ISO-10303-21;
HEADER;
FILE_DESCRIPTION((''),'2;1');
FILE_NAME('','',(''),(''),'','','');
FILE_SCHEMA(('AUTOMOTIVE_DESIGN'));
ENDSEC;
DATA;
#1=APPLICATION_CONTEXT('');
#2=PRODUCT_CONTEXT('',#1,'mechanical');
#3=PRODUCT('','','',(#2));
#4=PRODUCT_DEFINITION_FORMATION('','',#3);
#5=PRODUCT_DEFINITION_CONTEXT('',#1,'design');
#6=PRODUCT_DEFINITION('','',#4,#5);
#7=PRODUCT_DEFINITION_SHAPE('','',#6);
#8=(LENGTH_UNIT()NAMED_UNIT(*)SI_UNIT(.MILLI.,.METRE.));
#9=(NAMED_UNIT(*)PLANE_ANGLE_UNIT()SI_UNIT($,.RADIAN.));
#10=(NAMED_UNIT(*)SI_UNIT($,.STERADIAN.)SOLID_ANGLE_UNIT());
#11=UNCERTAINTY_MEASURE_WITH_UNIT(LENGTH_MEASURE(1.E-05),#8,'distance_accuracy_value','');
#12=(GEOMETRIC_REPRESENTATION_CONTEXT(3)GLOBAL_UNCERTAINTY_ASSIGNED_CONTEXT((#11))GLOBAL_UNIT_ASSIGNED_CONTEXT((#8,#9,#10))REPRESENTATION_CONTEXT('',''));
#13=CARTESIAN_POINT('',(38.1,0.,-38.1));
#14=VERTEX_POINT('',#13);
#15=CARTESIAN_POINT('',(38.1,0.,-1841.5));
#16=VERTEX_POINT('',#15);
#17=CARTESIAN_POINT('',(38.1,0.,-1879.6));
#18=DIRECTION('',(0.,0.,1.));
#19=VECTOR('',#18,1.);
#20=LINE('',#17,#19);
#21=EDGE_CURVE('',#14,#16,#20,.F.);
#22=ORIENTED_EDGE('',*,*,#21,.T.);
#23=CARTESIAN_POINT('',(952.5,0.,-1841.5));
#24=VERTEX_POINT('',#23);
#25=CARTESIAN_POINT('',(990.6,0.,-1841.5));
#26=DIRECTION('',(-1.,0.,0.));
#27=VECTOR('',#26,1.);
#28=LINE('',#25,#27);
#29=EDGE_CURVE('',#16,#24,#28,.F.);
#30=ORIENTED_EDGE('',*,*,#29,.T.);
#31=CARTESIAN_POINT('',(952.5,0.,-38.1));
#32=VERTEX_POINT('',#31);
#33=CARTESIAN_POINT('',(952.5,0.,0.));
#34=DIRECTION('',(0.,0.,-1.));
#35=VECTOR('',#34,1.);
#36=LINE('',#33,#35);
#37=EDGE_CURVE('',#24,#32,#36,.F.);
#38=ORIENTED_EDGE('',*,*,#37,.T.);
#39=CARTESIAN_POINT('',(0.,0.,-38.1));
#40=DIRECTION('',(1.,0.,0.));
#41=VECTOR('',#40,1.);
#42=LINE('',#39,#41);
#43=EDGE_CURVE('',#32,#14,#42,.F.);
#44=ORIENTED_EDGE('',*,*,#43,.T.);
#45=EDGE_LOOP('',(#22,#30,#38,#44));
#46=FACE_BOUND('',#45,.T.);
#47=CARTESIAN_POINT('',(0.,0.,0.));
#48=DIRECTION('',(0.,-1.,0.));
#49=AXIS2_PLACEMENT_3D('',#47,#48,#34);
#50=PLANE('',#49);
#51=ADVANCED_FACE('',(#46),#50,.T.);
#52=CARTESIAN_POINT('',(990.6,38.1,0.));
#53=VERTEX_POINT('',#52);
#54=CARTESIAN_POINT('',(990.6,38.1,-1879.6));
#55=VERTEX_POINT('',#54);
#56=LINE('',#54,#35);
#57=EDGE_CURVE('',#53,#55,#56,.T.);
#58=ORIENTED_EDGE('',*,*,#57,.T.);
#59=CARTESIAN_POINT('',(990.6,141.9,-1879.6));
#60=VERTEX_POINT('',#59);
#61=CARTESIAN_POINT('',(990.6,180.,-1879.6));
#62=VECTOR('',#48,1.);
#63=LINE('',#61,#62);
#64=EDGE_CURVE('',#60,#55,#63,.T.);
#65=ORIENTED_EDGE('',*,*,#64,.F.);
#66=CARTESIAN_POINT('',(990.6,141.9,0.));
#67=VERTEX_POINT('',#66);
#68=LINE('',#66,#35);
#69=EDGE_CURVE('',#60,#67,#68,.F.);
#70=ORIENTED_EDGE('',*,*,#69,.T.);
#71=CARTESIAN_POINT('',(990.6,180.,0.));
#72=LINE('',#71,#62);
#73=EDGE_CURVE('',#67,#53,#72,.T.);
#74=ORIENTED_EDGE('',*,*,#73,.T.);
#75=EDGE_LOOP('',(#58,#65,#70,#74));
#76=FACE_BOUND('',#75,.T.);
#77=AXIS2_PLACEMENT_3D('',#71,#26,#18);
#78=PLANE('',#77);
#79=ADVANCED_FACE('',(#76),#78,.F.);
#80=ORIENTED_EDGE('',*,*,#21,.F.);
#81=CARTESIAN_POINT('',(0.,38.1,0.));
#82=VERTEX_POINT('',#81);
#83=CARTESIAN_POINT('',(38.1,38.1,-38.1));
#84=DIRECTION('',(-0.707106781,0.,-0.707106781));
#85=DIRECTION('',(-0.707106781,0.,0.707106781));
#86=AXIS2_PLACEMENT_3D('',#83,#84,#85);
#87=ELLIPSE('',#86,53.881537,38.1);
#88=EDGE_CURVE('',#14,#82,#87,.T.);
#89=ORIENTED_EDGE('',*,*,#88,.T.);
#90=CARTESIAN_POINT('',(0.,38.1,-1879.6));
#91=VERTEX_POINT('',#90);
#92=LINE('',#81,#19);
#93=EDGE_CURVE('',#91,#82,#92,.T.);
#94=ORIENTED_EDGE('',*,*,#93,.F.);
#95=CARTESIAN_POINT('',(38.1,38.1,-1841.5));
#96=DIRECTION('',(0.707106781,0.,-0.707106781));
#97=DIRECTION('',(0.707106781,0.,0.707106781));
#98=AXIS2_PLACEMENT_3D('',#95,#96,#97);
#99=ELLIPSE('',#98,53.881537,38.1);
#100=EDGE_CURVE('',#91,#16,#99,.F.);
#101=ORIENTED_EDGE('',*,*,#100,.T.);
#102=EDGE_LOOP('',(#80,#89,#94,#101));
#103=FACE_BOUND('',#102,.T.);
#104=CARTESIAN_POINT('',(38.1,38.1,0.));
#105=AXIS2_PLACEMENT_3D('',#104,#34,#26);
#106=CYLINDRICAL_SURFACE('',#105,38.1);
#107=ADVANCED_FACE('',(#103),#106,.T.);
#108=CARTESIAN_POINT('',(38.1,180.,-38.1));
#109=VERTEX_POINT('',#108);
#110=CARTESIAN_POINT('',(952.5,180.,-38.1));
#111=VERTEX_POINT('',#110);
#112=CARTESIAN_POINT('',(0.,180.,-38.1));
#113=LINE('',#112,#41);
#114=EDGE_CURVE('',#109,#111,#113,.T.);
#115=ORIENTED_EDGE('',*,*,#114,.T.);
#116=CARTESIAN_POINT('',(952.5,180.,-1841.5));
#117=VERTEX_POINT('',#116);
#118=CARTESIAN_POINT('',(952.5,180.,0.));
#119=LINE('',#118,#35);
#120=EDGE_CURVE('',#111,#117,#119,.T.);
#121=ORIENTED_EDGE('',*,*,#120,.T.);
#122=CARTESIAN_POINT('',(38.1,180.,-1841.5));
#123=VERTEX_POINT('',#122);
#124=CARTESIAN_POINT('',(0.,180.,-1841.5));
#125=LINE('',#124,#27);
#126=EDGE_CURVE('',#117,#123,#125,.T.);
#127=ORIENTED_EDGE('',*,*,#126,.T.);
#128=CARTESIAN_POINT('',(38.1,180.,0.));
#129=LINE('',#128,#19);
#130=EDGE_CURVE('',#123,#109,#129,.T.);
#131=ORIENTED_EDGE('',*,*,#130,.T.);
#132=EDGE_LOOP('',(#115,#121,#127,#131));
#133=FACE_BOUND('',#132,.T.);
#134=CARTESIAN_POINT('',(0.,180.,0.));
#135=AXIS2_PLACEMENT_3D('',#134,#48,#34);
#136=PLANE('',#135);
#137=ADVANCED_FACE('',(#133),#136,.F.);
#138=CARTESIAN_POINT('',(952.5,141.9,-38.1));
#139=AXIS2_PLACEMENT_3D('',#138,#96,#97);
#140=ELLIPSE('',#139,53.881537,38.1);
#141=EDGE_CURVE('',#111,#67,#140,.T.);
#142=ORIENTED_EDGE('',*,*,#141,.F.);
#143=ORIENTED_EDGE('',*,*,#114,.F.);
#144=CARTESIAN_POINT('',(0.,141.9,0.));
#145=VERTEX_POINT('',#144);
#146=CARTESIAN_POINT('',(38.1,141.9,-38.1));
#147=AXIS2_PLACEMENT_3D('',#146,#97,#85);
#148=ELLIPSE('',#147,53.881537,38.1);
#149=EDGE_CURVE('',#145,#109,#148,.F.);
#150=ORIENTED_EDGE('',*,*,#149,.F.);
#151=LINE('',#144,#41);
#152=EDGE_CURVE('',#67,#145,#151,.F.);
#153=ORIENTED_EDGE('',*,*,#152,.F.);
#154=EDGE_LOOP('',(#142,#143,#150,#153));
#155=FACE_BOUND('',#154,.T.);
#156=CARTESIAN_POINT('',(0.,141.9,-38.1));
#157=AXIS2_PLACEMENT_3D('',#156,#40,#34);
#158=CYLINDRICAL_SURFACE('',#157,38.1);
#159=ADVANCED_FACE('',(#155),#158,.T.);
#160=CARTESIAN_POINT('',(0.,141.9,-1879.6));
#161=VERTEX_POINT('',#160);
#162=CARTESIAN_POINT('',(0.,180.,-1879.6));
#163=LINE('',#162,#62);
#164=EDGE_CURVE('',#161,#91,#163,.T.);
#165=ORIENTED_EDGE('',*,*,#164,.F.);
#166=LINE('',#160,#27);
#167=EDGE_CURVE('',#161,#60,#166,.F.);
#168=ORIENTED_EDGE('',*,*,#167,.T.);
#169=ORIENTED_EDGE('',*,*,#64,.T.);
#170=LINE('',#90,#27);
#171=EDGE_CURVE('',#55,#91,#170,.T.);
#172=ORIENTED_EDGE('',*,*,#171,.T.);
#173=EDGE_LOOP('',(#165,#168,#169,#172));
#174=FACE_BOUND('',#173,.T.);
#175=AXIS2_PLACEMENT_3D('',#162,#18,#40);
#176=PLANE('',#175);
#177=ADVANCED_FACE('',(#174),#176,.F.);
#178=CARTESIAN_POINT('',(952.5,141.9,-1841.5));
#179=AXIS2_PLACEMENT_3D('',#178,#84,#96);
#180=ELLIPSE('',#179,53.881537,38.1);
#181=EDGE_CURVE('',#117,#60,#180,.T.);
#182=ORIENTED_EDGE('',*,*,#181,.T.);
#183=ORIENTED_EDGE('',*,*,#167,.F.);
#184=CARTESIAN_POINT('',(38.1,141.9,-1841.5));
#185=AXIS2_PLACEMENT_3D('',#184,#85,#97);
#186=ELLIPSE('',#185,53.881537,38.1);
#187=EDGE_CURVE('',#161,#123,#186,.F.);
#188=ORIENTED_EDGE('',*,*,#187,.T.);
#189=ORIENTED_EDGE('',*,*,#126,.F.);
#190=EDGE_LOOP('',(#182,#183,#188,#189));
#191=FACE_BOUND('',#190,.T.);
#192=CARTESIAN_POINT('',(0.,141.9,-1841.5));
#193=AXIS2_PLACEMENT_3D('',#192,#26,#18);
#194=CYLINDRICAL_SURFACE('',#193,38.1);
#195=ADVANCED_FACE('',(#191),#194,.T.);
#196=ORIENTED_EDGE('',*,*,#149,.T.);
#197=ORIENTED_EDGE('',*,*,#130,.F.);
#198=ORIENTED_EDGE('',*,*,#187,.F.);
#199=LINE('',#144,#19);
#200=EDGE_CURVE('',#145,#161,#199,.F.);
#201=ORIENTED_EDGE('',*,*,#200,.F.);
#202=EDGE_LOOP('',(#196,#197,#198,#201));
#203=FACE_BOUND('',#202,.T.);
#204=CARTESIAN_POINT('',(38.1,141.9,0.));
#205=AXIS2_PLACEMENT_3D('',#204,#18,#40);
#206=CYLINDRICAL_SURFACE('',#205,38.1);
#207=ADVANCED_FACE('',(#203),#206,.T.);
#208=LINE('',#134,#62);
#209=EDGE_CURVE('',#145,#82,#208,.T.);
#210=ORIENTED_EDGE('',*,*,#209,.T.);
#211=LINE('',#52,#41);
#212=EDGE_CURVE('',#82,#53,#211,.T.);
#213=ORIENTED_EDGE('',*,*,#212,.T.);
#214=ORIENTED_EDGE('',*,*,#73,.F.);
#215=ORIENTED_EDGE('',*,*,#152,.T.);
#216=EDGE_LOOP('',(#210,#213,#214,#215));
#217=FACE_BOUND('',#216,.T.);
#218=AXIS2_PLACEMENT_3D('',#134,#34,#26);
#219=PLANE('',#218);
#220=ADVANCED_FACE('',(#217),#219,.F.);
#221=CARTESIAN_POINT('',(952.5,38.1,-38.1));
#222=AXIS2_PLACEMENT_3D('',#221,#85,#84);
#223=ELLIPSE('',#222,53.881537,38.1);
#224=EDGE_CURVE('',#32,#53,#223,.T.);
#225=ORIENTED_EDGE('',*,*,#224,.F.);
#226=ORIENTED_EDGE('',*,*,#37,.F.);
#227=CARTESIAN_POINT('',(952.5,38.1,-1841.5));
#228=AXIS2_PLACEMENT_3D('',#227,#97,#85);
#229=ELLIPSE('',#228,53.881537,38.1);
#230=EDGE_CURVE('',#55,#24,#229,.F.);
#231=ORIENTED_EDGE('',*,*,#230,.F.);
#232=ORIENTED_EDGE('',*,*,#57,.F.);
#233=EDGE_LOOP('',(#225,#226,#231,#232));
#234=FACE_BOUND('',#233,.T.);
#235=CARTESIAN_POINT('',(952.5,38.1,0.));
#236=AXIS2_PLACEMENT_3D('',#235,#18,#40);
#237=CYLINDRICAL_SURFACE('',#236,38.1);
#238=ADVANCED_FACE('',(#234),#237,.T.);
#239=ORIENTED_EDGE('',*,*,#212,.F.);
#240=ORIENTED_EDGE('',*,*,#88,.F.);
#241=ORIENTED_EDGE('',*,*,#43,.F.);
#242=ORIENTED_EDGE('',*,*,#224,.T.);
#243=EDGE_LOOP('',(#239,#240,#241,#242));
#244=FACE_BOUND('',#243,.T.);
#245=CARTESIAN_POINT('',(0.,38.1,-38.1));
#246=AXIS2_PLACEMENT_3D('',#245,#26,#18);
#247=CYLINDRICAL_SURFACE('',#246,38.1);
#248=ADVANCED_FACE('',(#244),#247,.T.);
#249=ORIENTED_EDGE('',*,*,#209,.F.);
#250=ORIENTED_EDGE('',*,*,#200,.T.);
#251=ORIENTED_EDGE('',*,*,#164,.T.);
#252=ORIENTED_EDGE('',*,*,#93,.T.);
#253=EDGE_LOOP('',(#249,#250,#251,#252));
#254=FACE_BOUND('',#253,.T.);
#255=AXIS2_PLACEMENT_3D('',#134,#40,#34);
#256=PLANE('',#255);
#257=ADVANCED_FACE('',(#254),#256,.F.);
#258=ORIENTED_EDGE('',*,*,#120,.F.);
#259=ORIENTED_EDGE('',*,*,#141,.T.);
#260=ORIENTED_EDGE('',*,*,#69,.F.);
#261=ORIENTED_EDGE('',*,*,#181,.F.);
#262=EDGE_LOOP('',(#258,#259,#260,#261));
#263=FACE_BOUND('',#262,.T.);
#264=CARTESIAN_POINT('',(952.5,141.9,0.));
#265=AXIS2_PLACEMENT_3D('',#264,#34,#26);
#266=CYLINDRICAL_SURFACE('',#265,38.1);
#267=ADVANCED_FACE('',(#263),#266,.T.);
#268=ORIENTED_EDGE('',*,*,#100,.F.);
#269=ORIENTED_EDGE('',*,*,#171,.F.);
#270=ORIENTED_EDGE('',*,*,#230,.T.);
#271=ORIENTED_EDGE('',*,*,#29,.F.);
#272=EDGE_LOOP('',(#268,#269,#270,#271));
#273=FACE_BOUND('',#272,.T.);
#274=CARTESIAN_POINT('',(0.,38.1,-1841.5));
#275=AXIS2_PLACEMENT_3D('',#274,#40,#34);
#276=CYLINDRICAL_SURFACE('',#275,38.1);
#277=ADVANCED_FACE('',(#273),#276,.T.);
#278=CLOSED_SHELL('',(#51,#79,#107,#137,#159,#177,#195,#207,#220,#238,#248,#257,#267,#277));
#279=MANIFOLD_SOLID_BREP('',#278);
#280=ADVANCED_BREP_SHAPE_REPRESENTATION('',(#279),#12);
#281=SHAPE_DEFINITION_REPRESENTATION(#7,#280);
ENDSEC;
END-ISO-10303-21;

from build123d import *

# Parameters (mm, degrees)
SKETCH1_W           = 990.6
SKETCH1_H           = 1879.6
BOSS_EXTRUDE1_DEPTH = 180
FILLET1_R           = 38.1


with BuildPart() as part:
    # Sketch1 → Boss-Extrude1 (new body)
    with BuildSketch(Plane(origin=(0, 0, 0), x_dir=(1, 0, 0), z_dir=(0, 1, 0))):
        with Locations((495.3, 939.8)):
            Rectangle(SKETCH1_W, SKETCH1_H)
    extrude(amount=BOSS_EXTRUDE1_DEPTH)

    # Fillet1
    fillet1_edges = [part.edges().sort_by_distance(p)[0] for p in [
        (990.6, 180, -939.8),
        (495.3, 180, -1879.6),
        (0, 180, -939.8),
        (495.3, 0, -1879.6),
        (990.6, 0, -939.8),
        (495.3, 0, 0),
        (0, 0, -939.8),
        (495.3, 180, 0),
    ]]
    fillet(fillet1_edges, radius=FILLET1_R)


solid = part.part
